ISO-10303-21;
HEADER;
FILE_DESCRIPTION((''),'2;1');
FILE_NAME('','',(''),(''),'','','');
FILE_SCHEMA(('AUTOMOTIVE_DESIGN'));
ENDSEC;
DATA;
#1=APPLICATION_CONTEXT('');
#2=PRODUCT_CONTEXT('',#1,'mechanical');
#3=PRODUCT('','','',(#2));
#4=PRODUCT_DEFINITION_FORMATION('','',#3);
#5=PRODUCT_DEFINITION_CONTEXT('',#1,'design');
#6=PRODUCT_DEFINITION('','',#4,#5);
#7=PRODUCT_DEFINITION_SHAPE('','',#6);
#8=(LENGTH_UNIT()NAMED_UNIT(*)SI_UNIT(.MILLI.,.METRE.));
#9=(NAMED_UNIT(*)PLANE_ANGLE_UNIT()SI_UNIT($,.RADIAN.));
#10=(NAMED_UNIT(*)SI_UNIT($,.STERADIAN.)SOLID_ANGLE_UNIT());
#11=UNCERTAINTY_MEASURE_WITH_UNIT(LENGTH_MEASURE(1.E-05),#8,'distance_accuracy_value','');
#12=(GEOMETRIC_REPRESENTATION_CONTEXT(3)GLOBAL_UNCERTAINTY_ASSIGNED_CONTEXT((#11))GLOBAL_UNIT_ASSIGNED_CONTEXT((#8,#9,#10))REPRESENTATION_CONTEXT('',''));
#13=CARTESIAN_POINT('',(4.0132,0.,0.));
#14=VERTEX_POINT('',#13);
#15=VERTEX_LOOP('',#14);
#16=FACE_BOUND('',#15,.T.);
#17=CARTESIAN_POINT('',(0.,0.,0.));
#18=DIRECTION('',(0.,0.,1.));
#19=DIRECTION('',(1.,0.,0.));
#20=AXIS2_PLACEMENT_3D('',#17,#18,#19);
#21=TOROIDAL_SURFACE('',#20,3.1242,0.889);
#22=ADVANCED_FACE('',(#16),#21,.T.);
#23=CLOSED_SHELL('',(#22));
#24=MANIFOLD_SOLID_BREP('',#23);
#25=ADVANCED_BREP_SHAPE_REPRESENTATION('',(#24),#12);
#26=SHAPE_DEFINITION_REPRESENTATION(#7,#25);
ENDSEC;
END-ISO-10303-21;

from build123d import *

# Parameters (mm, degrees)
SKETCH1_R = 0.889


with BuildPart() as part:
    # Sketch1 → Revolve1 (revolve)
    with BuildSketch(Plane(origin=(0, 0, 0), x_dir=(0, -1, 0), z_dir=(1, 0, 0)), mode=Mode.PRIVATE) as revolve1_sk:
        with Locations((3.1242, 0)):
            Circle(SKETCH1_R)
    revolve(revolve1_sk.sketch.rotate(Axis((0, 0, 0.889), (0, 0, -1)), 270), axis=Axis((0, 0, 0.889), (0, 0, -1)))


solid = part.part
